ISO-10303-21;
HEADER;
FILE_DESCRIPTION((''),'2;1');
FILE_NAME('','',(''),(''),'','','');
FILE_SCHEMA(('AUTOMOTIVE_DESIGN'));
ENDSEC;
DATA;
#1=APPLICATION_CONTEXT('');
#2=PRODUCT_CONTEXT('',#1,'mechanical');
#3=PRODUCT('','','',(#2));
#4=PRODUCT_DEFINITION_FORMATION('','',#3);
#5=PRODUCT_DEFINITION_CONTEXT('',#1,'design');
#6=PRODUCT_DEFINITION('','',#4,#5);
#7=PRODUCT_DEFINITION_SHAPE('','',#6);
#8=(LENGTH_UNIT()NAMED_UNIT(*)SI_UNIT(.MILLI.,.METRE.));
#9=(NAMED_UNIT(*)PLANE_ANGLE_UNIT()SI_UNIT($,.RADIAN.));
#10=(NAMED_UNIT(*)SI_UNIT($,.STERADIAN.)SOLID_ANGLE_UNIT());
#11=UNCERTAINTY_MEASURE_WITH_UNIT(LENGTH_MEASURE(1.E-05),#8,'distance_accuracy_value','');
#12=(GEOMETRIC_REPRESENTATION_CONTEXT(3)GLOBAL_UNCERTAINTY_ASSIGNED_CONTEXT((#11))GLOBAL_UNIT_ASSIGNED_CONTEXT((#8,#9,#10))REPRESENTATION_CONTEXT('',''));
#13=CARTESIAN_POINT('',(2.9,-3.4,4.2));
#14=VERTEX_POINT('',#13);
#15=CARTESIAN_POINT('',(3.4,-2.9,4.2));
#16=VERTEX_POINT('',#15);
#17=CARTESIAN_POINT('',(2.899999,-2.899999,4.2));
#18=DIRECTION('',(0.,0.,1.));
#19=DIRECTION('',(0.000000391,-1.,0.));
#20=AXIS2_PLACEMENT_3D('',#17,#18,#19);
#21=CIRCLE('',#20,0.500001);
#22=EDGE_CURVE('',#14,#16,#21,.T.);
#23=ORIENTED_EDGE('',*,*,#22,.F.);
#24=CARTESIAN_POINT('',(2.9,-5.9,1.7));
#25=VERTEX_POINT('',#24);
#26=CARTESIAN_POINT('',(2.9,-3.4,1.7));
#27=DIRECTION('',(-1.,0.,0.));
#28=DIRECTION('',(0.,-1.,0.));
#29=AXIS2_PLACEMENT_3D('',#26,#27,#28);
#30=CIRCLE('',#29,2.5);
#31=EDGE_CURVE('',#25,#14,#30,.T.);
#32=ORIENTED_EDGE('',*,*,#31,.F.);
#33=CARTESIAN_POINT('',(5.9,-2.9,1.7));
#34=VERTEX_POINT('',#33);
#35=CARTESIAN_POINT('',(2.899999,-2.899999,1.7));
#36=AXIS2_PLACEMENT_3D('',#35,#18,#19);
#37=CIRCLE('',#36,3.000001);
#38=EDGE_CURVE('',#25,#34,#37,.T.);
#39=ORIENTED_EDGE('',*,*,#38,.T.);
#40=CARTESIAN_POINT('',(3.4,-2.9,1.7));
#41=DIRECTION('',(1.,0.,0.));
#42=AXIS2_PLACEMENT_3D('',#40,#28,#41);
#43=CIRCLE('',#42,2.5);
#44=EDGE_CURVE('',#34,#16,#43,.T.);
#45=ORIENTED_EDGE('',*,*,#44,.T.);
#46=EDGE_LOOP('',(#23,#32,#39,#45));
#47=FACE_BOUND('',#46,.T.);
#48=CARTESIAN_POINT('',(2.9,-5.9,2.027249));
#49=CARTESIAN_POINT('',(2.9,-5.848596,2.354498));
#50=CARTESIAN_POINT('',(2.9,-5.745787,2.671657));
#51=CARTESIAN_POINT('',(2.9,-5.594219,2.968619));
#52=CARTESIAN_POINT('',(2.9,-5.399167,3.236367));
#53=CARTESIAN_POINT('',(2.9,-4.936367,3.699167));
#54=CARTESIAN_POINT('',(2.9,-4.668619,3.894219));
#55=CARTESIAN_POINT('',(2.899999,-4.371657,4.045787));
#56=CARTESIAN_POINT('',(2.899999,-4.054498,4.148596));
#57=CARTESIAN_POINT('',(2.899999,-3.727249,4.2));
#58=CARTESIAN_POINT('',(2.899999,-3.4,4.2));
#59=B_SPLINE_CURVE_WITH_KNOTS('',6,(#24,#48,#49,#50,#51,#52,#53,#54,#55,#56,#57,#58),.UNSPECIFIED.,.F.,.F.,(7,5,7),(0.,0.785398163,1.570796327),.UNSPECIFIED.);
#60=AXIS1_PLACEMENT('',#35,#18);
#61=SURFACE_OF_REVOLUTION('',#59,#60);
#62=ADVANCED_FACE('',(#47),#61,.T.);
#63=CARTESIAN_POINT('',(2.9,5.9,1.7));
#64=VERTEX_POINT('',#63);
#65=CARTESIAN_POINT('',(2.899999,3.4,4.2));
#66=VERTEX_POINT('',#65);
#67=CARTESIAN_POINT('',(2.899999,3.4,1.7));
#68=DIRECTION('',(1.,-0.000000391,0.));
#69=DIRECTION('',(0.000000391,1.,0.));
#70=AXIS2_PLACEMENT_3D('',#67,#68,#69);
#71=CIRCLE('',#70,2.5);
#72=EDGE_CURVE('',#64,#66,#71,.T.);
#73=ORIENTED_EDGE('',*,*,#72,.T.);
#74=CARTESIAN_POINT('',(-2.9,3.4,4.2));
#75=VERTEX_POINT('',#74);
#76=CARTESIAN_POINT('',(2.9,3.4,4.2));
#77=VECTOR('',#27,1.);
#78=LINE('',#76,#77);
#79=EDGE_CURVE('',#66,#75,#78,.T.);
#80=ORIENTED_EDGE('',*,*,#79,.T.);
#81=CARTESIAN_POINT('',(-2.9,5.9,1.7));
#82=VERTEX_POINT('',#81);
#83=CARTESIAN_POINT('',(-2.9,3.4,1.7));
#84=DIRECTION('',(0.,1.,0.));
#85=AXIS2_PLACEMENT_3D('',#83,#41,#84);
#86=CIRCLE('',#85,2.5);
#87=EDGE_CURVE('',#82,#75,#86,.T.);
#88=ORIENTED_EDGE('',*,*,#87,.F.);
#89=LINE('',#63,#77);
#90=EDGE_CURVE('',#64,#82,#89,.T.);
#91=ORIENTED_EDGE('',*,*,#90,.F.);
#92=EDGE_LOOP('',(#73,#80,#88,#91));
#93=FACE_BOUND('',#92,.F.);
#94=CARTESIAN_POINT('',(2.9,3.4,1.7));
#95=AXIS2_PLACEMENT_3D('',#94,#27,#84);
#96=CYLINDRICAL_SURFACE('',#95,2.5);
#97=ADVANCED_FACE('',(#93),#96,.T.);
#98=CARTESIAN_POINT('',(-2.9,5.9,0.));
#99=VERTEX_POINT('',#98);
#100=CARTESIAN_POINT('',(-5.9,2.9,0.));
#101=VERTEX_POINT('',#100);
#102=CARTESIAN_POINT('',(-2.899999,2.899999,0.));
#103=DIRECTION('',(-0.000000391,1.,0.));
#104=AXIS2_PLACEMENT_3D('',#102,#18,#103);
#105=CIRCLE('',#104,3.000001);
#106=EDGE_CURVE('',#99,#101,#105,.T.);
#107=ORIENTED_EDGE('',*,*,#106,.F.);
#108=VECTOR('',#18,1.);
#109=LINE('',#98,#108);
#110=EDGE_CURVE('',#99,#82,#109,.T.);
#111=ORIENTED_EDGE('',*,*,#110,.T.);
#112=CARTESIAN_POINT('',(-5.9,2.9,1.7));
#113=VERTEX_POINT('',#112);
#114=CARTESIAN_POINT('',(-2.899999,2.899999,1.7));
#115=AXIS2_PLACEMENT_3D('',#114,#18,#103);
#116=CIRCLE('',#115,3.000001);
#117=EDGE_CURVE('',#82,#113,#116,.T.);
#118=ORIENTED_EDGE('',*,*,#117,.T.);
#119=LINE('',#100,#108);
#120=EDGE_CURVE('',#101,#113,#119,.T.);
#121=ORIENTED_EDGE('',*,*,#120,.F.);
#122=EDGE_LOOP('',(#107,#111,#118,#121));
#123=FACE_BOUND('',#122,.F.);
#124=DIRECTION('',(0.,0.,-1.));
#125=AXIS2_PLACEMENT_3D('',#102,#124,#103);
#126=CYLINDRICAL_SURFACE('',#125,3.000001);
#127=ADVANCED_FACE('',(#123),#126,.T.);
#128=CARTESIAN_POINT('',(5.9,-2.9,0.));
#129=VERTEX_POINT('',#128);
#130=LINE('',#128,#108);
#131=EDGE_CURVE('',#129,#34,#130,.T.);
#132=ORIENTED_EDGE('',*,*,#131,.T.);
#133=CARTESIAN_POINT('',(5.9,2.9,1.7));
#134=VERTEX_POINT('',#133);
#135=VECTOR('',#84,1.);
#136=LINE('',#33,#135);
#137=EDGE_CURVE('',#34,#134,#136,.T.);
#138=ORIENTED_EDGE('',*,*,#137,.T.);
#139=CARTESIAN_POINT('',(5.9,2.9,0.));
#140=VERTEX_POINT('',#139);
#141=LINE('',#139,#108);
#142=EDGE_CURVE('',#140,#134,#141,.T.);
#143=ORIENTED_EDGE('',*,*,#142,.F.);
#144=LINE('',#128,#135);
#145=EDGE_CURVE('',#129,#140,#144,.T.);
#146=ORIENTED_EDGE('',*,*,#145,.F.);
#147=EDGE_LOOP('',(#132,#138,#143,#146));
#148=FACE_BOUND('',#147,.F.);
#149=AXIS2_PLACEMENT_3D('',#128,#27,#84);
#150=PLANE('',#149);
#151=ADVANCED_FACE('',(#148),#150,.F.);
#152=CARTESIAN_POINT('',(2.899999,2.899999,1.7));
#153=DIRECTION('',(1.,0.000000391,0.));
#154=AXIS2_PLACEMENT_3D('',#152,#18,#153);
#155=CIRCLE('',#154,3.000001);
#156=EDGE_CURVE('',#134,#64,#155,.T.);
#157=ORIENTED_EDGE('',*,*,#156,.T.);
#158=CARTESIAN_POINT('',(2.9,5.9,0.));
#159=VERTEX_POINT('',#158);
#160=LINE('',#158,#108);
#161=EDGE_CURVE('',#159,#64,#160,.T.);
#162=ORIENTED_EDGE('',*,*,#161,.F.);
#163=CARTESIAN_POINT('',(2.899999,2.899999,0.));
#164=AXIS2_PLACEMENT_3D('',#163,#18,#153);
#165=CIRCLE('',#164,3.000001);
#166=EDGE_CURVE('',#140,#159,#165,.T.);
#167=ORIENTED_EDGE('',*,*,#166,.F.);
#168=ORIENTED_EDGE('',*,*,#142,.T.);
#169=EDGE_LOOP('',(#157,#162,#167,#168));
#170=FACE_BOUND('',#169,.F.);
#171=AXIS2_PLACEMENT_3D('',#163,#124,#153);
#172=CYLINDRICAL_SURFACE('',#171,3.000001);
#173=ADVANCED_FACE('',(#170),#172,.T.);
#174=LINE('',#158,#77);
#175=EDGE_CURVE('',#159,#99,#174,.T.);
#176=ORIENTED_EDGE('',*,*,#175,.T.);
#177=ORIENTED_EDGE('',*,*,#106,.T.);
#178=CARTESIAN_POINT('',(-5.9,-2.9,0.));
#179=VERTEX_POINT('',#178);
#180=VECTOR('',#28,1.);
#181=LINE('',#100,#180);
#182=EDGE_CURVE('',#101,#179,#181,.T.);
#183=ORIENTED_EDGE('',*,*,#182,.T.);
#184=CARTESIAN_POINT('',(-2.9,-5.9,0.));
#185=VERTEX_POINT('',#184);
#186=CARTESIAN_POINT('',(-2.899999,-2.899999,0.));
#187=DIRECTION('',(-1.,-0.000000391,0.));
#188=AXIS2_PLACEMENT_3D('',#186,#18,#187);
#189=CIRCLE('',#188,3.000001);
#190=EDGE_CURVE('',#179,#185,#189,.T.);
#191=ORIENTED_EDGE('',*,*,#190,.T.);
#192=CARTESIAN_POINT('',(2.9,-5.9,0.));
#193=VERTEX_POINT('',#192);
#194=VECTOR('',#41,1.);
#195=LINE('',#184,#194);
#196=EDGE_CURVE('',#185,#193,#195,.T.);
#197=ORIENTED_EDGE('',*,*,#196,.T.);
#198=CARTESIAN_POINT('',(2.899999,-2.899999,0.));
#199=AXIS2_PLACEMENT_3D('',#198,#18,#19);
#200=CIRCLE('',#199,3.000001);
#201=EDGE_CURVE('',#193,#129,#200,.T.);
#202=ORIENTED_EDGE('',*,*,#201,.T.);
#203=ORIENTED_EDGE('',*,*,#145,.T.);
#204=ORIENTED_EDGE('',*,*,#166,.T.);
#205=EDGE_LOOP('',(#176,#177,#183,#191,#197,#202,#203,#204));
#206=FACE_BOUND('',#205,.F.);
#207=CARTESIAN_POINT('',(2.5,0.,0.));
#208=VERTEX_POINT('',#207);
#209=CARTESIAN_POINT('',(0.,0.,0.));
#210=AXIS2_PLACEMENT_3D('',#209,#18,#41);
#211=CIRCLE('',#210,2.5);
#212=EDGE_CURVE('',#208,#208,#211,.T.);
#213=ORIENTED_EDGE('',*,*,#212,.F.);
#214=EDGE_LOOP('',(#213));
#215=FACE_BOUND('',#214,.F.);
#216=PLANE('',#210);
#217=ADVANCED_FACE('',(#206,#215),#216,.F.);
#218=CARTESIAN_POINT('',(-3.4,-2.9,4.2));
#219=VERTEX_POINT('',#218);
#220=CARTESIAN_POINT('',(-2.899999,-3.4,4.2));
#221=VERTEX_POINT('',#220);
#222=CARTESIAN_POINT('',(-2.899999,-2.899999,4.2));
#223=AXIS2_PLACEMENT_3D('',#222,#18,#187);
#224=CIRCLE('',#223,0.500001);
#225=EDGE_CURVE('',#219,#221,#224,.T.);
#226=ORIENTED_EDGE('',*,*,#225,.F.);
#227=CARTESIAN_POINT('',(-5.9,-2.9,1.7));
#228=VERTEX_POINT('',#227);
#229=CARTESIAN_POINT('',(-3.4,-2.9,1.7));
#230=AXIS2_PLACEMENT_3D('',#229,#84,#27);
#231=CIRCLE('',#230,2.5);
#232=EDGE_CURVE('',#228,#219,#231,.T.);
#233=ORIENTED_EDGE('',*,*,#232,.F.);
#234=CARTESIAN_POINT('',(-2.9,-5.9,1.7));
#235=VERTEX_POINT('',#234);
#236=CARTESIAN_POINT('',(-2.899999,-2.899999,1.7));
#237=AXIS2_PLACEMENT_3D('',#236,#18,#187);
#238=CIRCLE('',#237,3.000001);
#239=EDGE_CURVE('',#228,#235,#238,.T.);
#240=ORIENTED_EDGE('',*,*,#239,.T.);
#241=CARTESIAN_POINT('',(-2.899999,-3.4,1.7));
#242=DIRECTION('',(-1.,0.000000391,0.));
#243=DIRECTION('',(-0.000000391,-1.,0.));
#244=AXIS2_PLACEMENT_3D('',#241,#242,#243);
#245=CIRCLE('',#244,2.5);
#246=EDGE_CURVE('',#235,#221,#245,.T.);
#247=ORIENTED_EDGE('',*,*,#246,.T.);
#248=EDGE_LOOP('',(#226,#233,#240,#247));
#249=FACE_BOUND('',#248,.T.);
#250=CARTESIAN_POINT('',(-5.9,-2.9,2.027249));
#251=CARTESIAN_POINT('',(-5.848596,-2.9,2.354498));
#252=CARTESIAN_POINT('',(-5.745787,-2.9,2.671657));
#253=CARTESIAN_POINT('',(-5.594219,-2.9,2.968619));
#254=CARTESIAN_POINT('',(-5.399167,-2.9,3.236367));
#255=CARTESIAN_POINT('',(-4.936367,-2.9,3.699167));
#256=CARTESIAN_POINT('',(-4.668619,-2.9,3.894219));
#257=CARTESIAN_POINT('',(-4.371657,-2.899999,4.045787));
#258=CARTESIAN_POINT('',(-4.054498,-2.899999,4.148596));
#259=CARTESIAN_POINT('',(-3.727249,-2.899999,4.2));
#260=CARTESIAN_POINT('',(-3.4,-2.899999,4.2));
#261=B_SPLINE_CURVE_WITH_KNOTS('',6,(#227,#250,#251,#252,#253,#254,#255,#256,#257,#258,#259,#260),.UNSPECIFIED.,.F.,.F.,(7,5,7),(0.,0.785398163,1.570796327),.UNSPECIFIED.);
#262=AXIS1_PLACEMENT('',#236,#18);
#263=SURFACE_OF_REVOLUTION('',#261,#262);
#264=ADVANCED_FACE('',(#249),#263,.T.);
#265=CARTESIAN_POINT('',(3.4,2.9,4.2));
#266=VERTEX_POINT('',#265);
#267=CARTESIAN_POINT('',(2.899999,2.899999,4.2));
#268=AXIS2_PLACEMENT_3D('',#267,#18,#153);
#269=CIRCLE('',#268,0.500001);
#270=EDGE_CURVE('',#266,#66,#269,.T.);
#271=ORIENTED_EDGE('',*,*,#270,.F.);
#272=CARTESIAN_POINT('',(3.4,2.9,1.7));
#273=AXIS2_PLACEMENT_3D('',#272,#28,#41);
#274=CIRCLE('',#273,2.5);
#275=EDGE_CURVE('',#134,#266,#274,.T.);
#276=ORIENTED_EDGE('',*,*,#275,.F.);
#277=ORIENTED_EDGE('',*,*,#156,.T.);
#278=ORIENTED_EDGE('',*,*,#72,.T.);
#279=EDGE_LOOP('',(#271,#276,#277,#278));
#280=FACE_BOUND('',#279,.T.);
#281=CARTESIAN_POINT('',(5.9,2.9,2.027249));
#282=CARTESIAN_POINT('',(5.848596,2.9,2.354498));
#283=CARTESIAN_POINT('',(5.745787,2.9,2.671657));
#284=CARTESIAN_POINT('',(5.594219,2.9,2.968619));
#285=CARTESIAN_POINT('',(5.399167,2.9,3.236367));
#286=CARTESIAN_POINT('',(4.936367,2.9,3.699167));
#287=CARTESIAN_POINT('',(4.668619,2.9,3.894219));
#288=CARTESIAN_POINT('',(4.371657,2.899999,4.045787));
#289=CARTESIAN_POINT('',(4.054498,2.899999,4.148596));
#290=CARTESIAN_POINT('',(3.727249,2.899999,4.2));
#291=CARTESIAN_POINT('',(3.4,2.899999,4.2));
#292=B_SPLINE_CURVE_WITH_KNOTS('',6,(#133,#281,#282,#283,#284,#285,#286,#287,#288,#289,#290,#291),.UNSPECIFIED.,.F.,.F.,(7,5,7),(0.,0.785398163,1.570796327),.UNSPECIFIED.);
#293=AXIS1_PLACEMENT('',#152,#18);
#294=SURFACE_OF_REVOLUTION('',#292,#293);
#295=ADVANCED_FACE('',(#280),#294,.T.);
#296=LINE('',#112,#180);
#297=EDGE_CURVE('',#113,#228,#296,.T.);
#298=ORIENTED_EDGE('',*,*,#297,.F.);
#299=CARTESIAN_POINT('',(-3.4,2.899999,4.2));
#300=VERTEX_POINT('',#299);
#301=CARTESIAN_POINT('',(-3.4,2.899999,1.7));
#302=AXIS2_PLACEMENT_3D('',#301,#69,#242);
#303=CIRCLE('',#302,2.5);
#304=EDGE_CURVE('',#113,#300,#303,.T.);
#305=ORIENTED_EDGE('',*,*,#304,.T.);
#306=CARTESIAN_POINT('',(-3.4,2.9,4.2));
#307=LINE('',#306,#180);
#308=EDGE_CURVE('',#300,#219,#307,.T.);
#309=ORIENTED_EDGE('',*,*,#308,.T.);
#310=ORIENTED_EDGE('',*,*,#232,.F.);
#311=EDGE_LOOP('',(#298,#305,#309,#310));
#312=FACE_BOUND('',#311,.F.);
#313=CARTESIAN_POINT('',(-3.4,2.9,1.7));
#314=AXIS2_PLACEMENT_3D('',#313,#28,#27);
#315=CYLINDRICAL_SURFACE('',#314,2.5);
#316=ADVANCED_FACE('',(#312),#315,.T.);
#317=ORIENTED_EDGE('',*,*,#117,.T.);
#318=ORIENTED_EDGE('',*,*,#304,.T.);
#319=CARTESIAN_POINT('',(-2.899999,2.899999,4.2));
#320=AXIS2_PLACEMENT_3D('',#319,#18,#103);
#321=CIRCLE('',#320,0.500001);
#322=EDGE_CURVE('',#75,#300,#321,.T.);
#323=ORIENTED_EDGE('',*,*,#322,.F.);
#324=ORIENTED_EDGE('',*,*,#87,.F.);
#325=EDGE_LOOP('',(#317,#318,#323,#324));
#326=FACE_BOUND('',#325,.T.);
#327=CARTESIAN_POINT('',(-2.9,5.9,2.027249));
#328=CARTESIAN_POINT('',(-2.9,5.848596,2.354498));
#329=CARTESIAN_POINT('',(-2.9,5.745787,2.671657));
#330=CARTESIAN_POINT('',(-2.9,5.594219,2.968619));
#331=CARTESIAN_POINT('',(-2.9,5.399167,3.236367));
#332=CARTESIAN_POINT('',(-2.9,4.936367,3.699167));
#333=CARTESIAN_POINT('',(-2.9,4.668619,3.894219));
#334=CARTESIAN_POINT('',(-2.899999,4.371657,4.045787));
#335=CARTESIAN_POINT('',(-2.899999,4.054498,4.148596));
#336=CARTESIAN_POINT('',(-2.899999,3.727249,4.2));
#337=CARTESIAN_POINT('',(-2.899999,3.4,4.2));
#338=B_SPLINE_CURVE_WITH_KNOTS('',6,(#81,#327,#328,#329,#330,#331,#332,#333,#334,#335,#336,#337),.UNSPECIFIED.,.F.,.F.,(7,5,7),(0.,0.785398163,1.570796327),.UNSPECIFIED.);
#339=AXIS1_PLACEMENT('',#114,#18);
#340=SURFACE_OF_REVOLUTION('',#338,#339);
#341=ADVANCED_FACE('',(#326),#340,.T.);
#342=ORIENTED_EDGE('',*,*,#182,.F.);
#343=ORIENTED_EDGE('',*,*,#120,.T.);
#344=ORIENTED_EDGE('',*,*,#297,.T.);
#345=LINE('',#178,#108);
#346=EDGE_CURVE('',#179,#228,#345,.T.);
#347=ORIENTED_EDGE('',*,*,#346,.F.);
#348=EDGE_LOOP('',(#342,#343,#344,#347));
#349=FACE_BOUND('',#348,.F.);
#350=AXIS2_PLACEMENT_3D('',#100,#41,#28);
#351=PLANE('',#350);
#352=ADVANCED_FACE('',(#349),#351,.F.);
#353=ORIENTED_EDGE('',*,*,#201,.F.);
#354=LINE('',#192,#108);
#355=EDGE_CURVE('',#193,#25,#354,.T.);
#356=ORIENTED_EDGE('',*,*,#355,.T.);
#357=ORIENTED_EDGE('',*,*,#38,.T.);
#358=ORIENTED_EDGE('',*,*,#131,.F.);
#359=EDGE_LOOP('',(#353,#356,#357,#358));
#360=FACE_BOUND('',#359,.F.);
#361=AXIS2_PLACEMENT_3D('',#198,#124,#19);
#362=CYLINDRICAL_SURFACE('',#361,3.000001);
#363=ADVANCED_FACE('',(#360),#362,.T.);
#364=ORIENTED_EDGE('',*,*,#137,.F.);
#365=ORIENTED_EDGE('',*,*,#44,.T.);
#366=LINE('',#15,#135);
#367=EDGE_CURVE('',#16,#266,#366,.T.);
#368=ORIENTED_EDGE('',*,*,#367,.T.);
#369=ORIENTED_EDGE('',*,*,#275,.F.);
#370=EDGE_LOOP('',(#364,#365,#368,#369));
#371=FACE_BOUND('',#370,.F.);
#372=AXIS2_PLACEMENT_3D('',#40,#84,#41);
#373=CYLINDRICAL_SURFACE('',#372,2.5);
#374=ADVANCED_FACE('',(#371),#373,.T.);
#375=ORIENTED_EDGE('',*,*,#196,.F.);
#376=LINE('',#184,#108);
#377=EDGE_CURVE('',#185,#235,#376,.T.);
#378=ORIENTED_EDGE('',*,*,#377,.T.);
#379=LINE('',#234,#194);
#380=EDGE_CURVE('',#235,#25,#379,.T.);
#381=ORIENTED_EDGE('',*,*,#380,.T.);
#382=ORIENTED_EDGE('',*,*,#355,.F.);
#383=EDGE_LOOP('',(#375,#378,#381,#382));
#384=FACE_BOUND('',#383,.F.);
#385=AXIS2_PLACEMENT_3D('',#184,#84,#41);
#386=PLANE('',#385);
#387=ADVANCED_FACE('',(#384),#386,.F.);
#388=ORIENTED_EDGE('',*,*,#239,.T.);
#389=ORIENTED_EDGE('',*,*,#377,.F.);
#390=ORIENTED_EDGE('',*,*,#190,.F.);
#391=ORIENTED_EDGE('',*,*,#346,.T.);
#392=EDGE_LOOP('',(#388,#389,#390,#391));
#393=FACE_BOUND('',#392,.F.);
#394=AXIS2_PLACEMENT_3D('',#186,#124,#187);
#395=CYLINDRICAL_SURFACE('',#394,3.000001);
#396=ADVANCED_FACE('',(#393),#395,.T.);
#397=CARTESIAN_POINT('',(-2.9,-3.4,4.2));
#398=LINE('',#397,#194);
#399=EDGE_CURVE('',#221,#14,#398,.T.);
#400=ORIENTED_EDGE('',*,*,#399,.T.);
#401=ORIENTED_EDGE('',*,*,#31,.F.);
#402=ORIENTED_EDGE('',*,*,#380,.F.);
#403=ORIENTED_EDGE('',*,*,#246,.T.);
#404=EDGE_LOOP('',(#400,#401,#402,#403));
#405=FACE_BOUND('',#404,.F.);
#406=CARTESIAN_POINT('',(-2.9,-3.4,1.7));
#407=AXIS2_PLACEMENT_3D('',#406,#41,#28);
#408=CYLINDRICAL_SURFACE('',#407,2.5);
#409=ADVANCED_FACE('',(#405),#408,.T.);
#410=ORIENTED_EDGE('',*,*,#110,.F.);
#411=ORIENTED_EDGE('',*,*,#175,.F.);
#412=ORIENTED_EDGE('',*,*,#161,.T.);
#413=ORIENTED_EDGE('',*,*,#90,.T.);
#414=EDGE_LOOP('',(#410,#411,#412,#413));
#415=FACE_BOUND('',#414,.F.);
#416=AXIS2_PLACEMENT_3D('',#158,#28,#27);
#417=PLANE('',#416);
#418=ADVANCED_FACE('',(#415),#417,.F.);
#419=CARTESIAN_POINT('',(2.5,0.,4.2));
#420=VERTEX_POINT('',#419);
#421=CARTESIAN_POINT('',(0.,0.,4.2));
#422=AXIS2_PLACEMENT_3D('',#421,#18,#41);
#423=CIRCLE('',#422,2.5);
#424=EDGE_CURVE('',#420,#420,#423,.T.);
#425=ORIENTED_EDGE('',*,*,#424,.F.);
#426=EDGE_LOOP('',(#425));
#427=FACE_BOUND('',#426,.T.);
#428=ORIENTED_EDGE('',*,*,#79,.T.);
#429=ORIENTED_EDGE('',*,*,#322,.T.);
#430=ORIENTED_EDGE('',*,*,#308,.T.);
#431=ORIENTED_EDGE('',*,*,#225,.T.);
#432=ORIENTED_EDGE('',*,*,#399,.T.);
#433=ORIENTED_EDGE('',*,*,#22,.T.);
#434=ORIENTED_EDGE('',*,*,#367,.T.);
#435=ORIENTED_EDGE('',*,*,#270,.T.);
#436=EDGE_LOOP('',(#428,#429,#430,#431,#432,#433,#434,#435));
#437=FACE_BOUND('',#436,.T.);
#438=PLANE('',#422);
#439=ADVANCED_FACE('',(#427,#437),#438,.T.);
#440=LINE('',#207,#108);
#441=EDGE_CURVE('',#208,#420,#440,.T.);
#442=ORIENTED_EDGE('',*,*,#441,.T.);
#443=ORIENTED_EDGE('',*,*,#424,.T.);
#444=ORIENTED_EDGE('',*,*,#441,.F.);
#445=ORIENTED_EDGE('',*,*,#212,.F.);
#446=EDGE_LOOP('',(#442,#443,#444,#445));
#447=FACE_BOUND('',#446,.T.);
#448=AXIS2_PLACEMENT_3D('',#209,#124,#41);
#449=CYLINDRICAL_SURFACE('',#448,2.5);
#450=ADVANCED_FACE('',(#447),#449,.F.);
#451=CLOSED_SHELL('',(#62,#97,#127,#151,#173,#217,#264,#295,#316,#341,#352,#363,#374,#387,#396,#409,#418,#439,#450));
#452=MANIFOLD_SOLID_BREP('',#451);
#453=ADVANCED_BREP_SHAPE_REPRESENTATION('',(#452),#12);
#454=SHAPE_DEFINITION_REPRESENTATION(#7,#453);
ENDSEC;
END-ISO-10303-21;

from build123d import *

# Parameters (mm, degrees)
SKETCH_R  = 2.5
PAD_DEPTH = 4.2
FILLET_R  = 2.5


with BuildPart() as part:
    # Sketch → Pad (new body)
    with BuildSketch(Plane.XY):
        with BuildLine():
            Line((-5.9, 2.9), (-5.9, -2.9))
            ThreePointArc((-5.9, -2.9), (-5.02132, -5.02132), (-2.9, -5.9))
            Line((-2.9, -5.9), (2.9, -5.9))
            ThreePointArc((2.9, -5.9), (5.02132, -5.02132), (5.9, -2.9))
            Line((5.9, -2.9), (5.9, 2.9))
            ThreePointArc((5.9, 2.9), (5.02132, 5.02132), (2.9, 5.9))
            Line((2.9, 5.9), (-2.9, 5.9))
            ThreePointArc((-2.9, 5.9), (-5.02132, 5.02132), (-5.9, 2.9))
        make_face()
        Circle(SKETCH_R, mode=Mode.SUBTRACT)
    extrude(amount=PAD_DEPTH)

    # Fillet
    fillet_edges = [part.edges().sort_by_distance(p)[0] for p in [
        (5.9, 0, 4.2),
    ]]
    fillet(fillet_edges, radius=FILLET_R)


solid = part.part
